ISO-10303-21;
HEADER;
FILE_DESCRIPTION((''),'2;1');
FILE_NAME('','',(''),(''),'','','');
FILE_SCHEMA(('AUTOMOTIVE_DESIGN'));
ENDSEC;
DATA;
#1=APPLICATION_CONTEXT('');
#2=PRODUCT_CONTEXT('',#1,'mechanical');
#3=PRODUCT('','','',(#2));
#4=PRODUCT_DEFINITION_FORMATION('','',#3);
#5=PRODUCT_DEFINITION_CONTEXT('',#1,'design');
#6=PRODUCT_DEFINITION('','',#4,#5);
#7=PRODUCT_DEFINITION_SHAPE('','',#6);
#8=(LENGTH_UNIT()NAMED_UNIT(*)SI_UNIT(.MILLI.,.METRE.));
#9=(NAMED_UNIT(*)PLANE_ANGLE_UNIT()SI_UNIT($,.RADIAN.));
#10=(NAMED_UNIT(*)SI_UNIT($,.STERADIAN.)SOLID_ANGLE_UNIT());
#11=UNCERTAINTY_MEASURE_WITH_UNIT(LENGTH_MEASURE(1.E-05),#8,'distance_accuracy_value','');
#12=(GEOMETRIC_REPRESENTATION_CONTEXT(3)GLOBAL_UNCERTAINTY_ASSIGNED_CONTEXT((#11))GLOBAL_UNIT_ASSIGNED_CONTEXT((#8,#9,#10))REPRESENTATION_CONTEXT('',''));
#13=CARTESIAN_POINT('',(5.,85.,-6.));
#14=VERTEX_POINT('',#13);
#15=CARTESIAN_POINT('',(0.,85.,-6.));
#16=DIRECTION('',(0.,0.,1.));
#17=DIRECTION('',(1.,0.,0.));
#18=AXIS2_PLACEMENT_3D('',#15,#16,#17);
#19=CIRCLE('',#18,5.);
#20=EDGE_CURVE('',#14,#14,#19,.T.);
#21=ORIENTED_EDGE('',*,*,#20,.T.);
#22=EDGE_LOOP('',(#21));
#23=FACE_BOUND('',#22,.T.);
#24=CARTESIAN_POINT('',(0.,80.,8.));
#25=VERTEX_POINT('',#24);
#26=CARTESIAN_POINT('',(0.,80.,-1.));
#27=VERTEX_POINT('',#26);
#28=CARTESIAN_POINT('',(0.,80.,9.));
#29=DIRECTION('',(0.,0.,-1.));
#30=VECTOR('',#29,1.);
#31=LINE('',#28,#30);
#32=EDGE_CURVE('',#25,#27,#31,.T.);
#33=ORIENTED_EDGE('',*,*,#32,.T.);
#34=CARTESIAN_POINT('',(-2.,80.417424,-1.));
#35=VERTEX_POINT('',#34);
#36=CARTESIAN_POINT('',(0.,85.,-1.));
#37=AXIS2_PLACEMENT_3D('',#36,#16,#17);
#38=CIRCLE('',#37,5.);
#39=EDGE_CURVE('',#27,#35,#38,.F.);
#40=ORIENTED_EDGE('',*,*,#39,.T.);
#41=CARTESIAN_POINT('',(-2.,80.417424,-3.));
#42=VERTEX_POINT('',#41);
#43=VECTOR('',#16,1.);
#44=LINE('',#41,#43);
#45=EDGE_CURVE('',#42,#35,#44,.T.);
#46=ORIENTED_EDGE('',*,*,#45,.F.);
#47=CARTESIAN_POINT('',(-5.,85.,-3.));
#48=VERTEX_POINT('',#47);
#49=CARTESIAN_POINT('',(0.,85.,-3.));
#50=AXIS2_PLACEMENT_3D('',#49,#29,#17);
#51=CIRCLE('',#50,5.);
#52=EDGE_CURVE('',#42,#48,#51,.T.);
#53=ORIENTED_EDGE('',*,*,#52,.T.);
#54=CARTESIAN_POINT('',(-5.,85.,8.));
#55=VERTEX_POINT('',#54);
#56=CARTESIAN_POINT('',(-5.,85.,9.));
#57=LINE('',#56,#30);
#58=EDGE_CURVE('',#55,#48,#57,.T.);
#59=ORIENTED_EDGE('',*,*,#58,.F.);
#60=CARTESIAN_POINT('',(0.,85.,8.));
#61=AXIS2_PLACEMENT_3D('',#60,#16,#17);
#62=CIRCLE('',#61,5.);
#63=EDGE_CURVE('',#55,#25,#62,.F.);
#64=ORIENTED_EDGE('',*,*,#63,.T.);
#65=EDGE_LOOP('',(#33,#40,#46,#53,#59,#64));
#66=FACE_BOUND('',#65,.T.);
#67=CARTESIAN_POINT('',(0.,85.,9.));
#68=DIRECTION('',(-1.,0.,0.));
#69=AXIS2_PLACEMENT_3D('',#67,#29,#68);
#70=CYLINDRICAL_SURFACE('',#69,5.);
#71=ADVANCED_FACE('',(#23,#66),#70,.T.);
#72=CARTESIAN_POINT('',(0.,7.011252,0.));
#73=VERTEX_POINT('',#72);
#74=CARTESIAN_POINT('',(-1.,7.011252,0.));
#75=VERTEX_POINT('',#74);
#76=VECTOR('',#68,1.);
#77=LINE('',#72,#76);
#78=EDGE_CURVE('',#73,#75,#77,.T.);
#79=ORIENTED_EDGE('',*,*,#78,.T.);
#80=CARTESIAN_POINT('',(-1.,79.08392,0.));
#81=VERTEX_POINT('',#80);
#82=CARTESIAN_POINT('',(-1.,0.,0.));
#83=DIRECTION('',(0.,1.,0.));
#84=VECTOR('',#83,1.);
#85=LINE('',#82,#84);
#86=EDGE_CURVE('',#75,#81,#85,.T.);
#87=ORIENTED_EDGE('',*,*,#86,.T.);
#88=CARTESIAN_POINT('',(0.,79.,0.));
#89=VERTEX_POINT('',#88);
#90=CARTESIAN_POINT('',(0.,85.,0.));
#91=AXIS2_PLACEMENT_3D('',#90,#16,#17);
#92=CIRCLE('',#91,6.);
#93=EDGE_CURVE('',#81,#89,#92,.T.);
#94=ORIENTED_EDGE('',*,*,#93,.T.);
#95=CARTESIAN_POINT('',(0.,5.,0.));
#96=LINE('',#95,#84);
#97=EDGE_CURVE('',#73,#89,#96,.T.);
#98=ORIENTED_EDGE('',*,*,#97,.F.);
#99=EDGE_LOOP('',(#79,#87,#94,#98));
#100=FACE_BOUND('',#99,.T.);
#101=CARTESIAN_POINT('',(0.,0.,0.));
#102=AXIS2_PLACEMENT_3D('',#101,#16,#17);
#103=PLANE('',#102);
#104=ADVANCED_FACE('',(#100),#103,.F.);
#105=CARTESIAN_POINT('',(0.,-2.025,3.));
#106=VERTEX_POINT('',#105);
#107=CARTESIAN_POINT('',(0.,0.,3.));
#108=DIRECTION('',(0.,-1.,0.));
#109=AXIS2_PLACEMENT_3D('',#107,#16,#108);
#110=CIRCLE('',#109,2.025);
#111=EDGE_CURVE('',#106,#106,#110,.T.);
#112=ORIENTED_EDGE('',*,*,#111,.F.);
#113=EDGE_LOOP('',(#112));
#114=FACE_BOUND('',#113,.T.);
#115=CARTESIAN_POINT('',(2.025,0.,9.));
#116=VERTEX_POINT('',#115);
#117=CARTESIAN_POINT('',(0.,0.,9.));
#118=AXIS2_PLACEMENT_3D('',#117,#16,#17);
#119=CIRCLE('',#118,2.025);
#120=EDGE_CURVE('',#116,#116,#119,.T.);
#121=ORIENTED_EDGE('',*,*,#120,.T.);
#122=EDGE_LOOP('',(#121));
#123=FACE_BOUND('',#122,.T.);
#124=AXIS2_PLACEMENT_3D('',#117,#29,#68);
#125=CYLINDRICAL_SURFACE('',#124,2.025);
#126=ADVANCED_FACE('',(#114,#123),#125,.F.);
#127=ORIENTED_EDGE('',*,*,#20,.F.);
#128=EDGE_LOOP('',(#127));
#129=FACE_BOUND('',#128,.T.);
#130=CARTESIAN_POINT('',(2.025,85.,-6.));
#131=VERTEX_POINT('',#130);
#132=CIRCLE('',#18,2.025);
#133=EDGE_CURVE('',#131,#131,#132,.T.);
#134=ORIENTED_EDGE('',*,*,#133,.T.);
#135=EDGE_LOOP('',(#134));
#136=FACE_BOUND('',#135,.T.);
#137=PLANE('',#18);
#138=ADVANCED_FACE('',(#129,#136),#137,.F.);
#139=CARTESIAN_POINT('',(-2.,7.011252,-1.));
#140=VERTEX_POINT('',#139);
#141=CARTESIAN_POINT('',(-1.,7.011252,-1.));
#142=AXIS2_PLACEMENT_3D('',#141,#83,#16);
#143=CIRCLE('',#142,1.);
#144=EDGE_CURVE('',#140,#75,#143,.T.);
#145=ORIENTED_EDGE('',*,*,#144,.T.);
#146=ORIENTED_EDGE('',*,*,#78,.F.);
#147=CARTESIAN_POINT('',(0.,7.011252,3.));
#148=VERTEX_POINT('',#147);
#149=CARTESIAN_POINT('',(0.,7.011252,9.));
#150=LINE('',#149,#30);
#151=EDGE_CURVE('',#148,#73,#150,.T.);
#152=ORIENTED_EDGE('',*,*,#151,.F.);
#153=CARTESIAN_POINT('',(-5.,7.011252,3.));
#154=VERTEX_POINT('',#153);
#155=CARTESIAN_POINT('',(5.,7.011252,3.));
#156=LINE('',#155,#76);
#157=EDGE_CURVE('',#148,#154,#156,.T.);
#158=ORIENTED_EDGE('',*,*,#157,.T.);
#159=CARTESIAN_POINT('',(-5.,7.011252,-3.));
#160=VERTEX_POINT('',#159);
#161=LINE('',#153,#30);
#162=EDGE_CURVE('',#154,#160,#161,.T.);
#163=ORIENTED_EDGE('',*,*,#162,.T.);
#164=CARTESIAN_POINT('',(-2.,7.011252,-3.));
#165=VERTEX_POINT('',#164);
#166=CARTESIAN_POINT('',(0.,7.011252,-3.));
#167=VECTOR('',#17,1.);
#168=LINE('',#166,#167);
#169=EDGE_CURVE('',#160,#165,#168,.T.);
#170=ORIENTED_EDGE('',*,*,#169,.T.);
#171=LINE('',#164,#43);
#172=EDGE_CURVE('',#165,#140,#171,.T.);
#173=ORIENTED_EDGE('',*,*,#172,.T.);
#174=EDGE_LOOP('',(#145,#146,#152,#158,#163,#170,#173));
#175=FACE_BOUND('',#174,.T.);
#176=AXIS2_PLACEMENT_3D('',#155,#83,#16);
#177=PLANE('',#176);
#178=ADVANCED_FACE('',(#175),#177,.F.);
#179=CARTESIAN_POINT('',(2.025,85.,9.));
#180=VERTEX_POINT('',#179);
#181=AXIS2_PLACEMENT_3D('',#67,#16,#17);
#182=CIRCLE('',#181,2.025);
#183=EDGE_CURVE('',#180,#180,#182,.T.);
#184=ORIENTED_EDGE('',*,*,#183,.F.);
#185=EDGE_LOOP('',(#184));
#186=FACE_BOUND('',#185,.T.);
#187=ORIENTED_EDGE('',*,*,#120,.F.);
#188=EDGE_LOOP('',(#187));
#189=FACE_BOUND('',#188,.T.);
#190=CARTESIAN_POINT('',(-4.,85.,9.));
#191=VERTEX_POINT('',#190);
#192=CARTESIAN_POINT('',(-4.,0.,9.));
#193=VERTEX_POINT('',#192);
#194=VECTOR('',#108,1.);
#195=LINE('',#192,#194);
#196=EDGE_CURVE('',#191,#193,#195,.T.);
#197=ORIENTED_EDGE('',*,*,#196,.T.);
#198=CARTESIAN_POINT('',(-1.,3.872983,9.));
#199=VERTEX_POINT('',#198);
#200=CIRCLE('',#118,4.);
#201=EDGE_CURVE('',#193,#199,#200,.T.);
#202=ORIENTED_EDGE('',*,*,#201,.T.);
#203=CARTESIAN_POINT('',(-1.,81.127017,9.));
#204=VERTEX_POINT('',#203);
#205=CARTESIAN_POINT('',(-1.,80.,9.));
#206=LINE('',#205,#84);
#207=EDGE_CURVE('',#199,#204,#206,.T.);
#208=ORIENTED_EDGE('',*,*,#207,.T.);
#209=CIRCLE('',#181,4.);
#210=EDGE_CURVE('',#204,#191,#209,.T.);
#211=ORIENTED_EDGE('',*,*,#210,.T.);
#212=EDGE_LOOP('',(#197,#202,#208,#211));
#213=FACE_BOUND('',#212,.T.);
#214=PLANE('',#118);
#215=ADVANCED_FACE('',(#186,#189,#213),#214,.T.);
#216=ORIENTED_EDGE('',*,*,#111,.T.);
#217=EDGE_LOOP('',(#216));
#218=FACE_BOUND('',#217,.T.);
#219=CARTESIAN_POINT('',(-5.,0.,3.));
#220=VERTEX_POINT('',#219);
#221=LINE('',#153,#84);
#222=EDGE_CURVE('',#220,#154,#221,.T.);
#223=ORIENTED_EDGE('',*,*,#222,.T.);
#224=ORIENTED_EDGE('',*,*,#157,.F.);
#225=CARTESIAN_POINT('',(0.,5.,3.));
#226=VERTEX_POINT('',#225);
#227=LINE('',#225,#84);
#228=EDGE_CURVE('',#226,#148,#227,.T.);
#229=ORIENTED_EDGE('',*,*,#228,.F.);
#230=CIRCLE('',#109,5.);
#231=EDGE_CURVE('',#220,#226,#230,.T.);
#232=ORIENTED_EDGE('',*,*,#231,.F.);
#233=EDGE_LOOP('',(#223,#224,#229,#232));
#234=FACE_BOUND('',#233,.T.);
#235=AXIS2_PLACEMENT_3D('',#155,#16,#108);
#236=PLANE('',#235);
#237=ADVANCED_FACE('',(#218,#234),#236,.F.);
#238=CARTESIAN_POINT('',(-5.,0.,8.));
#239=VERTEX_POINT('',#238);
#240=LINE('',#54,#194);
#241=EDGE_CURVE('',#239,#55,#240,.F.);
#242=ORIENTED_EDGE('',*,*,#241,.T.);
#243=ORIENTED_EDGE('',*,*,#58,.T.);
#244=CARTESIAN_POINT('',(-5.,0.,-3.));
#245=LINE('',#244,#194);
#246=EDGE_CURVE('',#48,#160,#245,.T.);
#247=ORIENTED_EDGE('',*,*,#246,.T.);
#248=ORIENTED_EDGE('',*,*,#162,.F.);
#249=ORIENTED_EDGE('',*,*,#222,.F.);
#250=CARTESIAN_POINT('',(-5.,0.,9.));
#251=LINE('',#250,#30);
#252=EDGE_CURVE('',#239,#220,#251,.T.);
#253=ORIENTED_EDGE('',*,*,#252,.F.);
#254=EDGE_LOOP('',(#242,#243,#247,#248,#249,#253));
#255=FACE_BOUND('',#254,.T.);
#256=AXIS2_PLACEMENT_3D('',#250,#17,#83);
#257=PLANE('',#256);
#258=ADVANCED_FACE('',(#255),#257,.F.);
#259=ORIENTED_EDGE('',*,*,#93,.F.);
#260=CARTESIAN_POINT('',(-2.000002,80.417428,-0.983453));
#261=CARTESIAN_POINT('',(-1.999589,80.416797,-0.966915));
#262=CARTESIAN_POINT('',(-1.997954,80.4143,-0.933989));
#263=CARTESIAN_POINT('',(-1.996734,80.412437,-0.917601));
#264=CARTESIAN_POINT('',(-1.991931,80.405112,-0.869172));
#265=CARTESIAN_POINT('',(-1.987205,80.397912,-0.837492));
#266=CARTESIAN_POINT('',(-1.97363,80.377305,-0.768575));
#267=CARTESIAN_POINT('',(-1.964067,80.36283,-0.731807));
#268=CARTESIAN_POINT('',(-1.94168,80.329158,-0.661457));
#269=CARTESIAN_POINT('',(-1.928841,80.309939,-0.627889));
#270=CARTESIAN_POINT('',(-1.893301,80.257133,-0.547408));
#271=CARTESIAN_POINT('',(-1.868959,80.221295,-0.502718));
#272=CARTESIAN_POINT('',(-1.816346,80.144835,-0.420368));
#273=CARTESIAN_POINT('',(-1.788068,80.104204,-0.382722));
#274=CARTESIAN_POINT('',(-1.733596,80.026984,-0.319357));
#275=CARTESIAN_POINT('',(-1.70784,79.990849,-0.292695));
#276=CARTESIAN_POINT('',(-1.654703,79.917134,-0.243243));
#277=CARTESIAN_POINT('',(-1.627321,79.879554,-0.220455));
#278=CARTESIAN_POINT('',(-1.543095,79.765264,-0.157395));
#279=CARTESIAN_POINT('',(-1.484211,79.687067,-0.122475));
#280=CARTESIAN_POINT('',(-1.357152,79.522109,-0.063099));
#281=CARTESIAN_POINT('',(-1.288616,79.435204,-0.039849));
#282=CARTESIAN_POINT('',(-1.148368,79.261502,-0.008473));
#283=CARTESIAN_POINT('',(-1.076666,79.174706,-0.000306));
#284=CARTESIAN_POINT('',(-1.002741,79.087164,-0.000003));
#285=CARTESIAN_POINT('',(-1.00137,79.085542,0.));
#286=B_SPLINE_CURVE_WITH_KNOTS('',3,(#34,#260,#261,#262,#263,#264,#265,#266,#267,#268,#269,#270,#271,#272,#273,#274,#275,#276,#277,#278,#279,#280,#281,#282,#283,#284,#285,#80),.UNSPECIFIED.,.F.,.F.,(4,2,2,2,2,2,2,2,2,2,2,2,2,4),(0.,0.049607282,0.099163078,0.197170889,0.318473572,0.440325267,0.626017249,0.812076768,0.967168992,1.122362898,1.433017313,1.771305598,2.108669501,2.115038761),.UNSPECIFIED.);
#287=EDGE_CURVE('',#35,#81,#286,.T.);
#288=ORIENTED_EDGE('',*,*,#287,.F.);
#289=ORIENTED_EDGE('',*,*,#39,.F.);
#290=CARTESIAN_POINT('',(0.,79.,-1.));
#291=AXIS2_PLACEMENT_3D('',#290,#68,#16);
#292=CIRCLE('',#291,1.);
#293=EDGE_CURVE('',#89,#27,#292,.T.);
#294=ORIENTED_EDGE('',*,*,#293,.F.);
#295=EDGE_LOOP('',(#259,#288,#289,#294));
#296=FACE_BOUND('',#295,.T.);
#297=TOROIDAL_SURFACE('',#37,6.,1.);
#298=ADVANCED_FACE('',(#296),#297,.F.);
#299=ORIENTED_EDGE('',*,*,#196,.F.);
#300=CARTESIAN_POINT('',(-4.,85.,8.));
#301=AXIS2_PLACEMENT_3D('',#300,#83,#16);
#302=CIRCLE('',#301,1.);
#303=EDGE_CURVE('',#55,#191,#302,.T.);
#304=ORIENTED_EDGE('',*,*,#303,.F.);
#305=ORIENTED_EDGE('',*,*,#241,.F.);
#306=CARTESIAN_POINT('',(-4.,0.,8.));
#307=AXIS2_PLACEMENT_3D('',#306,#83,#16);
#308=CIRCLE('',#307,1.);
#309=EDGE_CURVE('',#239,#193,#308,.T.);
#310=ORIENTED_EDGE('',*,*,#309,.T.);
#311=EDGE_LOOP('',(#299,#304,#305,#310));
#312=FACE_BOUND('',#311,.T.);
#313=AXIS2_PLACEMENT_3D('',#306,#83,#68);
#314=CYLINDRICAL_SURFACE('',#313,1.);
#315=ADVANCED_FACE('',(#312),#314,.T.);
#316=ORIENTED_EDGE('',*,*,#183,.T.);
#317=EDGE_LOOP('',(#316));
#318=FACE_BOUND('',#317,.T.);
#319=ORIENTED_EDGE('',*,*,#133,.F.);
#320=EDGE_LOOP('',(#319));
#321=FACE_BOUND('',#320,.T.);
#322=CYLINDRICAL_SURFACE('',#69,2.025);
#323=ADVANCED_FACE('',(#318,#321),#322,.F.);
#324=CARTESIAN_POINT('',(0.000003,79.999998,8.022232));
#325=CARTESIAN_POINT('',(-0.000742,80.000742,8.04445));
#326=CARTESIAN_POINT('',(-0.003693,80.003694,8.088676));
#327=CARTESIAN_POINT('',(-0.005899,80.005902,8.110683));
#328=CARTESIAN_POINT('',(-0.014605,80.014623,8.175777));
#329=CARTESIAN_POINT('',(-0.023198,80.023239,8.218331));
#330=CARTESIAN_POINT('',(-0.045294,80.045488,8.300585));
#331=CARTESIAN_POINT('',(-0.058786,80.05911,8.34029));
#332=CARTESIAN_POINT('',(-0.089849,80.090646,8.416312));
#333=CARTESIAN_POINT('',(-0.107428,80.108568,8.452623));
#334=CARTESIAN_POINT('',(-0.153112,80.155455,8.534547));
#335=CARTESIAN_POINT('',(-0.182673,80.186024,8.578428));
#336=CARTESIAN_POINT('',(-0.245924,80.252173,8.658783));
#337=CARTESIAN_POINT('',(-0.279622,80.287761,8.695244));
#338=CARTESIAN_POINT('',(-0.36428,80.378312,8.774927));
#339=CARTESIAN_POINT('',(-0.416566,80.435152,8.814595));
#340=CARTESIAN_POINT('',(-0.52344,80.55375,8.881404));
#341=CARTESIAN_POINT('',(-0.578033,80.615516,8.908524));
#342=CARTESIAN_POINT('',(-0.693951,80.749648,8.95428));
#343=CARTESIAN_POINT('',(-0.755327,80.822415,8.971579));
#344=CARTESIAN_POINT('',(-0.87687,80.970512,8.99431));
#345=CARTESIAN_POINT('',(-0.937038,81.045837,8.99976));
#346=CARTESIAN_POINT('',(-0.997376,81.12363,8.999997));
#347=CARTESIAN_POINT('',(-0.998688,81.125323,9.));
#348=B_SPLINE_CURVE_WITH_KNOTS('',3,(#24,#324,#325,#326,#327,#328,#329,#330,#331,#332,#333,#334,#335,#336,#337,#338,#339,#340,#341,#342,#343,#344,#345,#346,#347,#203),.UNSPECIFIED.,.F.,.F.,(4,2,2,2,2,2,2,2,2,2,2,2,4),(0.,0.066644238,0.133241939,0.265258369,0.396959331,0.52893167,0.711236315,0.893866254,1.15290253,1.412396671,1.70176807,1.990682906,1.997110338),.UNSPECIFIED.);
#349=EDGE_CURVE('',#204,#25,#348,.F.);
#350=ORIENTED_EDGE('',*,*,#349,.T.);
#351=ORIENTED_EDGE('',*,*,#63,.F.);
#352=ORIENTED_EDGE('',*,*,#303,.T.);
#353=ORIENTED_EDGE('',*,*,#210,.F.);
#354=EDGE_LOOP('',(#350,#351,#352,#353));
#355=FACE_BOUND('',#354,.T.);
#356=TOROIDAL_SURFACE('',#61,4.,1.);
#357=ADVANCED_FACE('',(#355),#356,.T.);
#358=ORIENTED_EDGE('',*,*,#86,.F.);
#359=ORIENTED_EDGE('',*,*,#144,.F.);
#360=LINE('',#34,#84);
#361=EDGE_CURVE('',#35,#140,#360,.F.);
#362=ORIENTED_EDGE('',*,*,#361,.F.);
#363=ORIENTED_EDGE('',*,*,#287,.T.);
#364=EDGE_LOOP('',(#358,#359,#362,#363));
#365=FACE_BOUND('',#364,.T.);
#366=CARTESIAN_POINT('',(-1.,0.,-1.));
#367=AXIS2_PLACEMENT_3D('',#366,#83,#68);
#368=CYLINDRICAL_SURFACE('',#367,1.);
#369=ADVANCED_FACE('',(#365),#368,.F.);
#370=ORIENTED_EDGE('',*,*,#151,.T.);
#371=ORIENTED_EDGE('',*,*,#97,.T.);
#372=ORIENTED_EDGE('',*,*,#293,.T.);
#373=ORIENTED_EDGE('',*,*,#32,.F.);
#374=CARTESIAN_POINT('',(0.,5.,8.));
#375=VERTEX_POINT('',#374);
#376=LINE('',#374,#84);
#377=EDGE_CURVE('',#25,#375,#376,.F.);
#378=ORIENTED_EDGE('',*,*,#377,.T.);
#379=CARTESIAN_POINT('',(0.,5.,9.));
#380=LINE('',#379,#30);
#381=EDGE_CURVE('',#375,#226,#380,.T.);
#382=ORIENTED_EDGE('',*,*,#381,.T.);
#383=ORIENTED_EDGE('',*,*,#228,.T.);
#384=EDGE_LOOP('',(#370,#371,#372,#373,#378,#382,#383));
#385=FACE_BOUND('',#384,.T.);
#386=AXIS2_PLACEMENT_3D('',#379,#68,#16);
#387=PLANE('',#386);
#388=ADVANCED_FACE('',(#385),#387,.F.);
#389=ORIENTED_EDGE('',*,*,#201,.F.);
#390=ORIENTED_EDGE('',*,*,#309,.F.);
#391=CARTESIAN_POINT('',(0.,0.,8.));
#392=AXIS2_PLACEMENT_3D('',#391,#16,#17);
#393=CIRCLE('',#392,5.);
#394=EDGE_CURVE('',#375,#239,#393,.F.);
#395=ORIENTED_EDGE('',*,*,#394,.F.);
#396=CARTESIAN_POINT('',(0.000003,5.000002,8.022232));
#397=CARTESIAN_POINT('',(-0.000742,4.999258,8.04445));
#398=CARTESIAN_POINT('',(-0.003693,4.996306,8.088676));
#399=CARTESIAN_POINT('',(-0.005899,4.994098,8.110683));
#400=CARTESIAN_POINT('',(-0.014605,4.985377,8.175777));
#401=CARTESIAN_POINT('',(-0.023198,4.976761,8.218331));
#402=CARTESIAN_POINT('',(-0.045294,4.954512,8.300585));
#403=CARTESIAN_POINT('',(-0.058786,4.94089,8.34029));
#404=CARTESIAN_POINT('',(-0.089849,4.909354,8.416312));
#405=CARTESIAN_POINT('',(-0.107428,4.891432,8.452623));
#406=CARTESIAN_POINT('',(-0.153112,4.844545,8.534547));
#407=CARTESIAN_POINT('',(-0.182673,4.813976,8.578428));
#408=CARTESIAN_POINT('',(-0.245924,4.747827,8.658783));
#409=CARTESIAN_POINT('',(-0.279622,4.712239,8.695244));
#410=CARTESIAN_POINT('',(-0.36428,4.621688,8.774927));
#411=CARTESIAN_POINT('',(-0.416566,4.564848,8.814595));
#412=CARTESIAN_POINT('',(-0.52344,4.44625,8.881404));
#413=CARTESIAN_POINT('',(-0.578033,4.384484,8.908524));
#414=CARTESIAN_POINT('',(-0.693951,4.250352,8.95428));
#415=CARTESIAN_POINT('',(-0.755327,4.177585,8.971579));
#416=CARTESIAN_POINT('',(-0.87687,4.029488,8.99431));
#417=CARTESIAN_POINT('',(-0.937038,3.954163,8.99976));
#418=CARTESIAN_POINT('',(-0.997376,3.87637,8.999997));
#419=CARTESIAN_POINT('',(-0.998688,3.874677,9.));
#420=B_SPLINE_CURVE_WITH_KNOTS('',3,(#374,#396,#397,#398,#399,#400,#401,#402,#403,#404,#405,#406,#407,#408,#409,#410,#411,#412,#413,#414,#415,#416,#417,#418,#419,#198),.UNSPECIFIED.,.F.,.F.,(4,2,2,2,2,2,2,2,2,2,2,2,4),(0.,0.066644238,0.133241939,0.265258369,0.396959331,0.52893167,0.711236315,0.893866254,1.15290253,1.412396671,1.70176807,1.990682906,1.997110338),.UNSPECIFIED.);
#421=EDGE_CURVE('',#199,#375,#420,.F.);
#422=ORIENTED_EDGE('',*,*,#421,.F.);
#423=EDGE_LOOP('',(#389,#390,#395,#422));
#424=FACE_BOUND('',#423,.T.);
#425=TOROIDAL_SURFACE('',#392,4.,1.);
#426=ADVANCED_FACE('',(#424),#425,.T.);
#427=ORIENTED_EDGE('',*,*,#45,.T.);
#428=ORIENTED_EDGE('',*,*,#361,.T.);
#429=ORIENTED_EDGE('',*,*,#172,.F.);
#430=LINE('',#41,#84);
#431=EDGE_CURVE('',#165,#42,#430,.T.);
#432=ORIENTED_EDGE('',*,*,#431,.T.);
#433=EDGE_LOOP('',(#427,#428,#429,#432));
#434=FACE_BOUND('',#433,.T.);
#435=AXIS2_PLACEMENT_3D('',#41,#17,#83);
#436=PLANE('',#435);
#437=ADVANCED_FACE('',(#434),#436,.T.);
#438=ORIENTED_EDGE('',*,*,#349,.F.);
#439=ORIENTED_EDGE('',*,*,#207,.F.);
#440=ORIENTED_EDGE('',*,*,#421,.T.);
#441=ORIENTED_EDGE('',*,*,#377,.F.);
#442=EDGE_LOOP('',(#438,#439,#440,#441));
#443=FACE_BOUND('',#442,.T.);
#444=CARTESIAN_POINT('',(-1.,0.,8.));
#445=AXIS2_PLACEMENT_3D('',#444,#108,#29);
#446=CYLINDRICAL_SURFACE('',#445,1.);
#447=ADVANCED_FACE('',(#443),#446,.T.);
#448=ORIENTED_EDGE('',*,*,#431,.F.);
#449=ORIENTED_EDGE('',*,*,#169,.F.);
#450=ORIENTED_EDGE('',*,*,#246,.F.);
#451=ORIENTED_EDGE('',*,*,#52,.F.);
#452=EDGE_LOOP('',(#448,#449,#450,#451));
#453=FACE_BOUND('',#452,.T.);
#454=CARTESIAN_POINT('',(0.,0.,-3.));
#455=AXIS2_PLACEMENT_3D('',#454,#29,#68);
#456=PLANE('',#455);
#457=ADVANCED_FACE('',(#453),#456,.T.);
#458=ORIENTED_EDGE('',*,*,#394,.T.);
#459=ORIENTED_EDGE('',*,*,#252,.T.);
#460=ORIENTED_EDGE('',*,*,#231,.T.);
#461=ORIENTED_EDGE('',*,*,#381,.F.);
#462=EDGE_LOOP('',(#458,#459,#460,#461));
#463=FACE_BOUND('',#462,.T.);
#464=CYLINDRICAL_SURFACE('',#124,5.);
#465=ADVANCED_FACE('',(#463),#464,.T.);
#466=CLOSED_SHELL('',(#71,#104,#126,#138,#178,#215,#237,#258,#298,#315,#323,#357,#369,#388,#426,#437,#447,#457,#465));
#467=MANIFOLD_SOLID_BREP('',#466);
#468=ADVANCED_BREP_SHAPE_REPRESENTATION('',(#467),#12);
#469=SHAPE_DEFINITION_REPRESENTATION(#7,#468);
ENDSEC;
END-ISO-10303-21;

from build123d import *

# Parameters (mm, degrees)
SKETCH1_R             = 2.025
BOSS_EXTRUDE1_DEPTH   = 9
BOSS_EXTRUDE2_START   = -15
SKETCH2_R             = 5
SKETCH2_R_2           = 2.025
BOSS_EXTRUDE2_DEPTH   = 15
BOSS_EXTRUDE3_START   = -12
SKETCH3_R             = 2.025
BOSS_EXTRUDE3_DEPTH   = 12
CROQUIS1_W            = 6
CROQUIS1_H            = 12.01125174
CORTAR_EXTRUIR3_DEPTH = 10
REDONDEO1_R           = 1
REDONDEO2_R           = 1


with BuildPart() as part:
    # Sketch1 → Boss-Extrude1 (new body)
    with BuildSketch(Plane.XY):
        with BuildLine():
            Line((-5, 0), (-5, 85))
            ThreePointArc((-5, 85), (3.535533906, 88.535533906), (0, 80))
            Line((0, 80), (0, 5))
            ThreePointArc((0, 5), (5, 0), (0, -5))
            ThreePointArc((0, -5), (-3.535533906, -3.535533906), (-5, 0))
        make_face()
        with Locations((0, 85)):
            Circle(SKETCH1_R, mode=Mode.SUBTRACT)
        Circle(SKETCH1_R, mode=Mode.SUBTRACT)
    extrude(amount=BOSS_EXTRUDE1_DEPTH)

    # Sketch2 → Boss-Extrude2 (add)
    with BuildSketch(Plane.XY.offset(9).offset(BOSS_EXTRUDE2_START)):
        with Locations(Location((0, 85, 0), (0, 0, 180))):
            Circle(SKETCH2_R)
        with Locations((0, 85)):
            Circle(SKETCH2_R_2, mode=Mode.SUBTRACT)
    extrude(amount=BOSS_EXTRUDE2_DEPTH)

    # Sketch3 → Boss-Extrude3 (add)
    with BuildSketch(Plane.XY.offset(9).offset(BOSS_EXTRUDE3_START)):
        with BuildLine():
            Line((-5, 0), (-5, 85))
            ThreePointArc((-5, 85), (-4.183300133, 82.261387212), (-2, 80.417424305))
            Line((-2, 80.417424305), (-2, 5))
            Line((-2, 5), (0, 5))
            ThreePointArc((0, 5), (5, 0), (0, -5))
            ThreePointArc((0, -5), (-3.535533906, -3.535533906), (-5, 0))
        make_face()
        Circle(SKETCH3_R, mode=Mode.SUBTRACT)
    extrude(amount=BOSS_EXTRUDE3_DEPTH)

    # Croquis1 → Cortar-Extruir3 (cut)
    with BuildSketch(Plane.ZY.offset(5)):
        with Locations((0, 1.00562587)):
            Rectangle(CROQUIS1_W, CROQUIS1_H)
    extrude(amount=-CORTAR_EXTRUIR3_DEPTH, mode=Mode.SUBTRACT)

    # Redondeo1
    redondeo1_edges = [part.edges().sort_by_distance(p)[0] for p in [
        (-1.021548218, 80.105468435, 0),
        (-2, 43.714338023, 0),
    ]]
    fillet(redondeo1_edges, radius=REDONDEO1_R)

    # Redondeo2
    redondeo2_edges = [part.edges().sort_by_distance(p)[0] for p in [
        (0, 42.5, 9),
        (3.535533906, 88.535533906, 9),
        (-5, 42.5, 9),
        (3.535533906, -3.535533906, 9),
    ]]
    fillet(redondeo2_edges, radius=REDONDEO2_R)


solid = part.part
